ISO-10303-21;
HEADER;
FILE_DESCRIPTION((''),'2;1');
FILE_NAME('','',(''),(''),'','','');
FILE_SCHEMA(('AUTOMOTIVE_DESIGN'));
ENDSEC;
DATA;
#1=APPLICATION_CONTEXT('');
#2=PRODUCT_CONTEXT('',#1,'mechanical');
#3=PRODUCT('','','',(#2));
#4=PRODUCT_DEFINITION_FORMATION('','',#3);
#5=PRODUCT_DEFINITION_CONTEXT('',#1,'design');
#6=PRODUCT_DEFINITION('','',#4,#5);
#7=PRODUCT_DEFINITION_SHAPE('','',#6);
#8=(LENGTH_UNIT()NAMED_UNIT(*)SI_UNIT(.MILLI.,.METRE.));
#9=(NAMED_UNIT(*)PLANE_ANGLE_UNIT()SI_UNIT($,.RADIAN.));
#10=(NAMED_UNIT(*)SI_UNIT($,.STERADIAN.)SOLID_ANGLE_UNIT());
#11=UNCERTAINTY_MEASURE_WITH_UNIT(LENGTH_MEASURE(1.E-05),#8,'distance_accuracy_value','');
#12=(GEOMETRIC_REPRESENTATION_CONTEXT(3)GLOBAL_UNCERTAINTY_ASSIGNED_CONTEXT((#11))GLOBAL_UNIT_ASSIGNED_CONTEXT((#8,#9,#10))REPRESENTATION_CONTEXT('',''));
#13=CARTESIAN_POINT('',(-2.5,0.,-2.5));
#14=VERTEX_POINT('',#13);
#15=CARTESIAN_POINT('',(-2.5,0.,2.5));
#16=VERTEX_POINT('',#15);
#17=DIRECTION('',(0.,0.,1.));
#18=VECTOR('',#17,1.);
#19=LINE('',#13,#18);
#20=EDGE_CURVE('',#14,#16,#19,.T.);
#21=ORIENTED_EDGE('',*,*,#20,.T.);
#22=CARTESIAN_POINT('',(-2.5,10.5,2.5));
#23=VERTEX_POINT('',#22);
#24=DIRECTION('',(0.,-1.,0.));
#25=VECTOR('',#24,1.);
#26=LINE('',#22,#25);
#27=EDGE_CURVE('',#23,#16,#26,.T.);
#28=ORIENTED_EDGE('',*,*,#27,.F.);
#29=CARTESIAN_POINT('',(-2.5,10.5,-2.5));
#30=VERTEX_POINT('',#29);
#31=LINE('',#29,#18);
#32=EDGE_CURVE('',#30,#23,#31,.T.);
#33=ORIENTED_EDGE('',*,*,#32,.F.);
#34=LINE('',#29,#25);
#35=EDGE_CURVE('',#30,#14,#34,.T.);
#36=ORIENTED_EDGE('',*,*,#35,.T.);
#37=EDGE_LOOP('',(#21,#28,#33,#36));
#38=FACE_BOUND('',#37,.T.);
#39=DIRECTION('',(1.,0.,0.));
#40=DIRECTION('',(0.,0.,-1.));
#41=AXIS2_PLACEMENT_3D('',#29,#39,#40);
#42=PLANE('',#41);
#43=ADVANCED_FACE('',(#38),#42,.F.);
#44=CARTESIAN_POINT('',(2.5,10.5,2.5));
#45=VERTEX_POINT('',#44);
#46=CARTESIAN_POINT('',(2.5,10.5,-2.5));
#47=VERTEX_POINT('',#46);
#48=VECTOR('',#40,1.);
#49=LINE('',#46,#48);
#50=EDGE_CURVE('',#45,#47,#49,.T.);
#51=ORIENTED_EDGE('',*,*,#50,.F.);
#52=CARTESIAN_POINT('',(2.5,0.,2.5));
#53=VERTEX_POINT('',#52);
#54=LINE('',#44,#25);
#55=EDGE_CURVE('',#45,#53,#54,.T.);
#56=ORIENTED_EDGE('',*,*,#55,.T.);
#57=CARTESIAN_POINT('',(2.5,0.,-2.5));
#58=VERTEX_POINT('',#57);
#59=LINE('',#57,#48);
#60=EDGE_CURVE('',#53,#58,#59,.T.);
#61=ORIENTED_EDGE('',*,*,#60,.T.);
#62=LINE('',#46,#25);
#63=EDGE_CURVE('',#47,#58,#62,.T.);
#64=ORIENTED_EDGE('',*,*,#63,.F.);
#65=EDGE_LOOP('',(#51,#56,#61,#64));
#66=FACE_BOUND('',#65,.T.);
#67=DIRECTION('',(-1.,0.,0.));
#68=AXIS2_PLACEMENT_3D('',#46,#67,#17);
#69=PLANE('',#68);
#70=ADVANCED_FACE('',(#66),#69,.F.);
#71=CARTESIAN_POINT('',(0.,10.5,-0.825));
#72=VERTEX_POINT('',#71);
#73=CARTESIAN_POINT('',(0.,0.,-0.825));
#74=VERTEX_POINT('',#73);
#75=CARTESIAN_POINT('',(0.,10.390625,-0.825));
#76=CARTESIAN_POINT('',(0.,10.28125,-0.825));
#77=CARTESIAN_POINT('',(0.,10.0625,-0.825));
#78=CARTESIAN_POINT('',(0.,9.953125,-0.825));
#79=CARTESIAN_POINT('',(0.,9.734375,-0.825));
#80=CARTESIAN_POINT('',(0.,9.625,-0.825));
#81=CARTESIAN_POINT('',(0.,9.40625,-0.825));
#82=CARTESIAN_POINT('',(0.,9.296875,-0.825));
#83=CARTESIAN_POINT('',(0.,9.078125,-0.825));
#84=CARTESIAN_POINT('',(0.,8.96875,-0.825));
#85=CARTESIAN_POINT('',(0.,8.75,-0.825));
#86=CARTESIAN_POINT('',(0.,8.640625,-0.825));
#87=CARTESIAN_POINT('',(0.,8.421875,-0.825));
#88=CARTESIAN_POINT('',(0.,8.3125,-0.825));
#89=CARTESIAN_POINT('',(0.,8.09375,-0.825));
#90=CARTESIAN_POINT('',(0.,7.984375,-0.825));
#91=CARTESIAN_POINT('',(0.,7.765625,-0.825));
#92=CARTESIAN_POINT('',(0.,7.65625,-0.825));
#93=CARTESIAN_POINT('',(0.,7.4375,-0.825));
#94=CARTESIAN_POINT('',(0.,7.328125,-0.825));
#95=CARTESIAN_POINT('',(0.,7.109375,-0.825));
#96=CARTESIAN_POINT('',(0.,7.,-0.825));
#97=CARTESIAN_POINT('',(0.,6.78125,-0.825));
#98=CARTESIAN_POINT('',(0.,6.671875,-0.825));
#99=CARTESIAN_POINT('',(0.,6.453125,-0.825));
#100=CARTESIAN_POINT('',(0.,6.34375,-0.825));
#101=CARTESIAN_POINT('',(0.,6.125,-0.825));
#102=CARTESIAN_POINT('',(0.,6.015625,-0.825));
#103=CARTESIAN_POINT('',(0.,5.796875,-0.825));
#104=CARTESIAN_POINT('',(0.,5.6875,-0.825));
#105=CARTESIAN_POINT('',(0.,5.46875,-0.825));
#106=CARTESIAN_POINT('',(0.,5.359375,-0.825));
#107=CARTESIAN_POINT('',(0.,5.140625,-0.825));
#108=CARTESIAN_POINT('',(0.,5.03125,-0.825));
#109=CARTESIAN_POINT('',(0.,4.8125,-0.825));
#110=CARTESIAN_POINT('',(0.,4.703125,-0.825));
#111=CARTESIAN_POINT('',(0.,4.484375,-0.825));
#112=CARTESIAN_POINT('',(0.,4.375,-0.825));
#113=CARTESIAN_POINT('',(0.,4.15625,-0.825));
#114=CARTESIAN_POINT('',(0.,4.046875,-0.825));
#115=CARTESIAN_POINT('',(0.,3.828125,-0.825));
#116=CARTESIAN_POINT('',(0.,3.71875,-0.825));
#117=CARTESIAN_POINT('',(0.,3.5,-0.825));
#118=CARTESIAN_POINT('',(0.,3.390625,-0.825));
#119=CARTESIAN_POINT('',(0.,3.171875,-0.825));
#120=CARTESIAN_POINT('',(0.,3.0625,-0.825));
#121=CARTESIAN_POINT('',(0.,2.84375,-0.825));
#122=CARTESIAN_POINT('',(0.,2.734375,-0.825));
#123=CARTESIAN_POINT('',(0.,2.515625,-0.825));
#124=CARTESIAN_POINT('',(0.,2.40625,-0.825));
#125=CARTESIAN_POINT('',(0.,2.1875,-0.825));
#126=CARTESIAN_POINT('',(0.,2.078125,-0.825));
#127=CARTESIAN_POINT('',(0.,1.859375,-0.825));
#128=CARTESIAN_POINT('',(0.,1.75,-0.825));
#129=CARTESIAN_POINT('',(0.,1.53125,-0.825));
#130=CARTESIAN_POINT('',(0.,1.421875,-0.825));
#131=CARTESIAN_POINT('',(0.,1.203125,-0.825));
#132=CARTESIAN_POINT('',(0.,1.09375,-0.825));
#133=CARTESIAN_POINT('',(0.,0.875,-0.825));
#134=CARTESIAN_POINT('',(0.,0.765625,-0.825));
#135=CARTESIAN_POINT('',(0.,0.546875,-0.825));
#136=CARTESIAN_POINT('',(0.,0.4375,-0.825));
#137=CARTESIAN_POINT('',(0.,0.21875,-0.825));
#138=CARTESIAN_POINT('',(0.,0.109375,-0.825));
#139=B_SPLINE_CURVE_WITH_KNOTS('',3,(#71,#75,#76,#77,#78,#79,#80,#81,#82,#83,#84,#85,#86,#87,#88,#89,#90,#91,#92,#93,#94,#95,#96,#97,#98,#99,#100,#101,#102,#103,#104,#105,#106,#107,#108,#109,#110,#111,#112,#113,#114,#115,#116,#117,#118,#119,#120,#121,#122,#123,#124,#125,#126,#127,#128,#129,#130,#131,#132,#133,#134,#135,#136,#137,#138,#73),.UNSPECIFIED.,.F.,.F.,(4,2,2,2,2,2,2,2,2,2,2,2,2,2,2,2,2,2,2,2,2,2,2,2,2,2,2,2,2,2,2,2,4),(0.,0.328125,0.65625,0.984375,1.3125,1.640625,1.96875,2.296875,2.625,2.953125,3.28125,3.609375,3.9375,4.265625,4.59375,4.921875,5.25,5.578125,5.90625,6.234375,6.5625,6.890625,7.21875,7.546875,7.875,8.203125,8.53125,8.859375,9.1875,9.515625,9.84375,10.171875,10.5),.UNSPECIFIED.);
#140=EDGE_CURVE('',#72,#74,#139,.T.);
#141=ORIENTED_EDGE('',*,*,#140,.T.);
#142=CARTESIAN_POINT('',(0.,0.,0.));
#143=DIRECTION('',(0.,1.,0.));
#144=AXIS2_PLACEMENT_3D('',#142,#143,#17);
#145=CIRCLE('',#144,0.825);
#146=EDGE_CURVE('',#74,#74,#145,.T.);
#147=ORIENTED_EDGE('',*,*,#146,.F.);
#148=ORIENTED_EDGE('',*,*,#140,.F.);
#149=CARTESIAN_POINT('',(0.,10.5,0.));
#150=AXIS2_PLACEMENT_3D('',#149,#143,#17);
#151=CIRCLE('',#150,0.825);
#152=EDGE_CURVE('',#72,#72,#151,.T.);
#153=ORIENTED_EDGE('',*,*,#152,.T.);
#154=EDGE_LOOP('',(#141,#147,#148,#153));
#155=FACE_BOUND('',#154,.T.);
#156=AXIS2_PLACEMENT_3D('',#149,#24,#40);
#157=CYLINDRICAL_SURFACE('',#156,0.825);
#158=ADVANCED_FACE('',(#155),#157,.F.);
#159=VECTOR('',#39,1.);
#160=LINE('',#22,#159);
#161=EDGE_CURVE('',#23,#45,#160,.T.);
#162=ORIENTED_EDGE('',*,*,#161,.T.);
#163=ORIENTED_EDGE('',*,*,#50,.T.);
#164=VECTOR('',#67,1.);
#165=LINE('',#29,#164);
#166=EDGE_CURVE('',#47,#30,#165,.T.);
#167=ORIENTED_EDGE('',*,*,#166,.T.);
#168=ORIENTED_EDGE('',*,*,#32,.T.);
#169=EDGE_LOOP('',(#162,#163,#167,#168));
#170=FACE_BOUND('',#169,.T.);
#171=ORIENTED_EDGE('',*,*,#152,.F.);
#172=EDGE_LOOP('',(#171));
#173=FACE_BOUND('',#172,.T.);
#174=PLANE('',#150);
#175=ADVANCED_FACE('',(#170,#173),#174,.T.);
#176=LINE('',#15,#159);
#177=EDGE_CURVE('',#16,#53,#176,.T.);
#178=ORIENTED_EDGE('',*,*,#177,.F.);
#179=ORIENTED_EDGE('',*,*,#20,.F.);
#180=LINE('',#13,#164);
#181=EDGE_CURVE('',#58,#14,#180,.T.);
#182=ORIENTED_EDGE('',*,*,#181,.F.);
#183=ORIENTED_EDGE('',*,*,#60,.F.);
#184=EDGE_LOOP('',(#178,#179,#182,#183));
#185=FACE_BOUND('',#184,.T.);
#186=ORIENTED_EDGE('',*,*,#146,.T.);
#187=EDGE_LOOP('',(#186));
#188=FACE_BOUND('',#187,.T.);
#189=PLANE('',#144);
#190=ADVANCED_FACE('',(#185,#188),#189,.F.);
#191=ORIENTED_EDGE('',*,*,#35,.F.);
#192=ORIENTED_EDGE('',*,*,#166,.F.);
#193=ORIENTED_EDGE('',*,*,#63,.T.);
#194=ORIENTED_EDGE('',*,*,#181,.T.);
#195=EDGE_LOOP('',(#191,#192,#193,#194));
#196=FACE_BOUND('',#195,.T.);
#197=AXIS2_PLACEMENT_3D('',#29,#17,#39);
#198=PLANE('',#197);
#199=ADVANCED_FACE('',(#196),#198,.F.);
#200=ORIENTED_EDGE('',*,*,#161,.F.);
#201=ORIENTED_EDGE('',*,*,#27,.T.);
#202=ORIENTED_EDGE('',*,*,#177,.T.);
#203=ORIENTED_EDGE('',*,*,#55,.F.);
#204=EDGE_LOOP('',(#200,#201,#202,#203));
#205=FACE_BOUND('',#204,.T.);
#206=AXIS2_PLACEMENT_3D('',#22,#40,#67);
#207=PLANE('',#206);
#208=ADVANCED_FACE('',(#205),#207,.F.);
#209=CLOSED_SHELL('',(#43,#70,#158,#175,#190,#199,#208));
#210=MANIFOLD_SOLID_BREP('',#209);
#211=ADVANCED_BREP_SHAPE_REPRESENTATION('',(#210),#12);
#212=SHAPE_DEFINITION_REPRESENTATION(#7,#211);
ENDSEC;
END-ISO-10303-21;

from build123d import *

# Parameters (mm, degrees)
SKETCH_1_W      = 5
SKETCH_1_H      = 5
SKETCH_1_R      = 0.825
EXTRUDE_1_DEPTH = 10.5


with BuildPart() as part:
    # 草图1 → 凸台-拉伸1 (new body)
    with BuildSketch(Plane(origin=(0, 0, 0), x_dir=(1, 0, 0), z_dir=(0, 1, 0))):
        Rectangle(SKETCH_1_W, SKETCH_1_H)
        with Locations(Location((0, 0, 0), (0, 0, 90))):
            Circle(SKETCH_1_R, mode=Mode.SUBTRACT)
    extrude(amount=EXTRUDE_1_DEPTH)


solid = part.part
